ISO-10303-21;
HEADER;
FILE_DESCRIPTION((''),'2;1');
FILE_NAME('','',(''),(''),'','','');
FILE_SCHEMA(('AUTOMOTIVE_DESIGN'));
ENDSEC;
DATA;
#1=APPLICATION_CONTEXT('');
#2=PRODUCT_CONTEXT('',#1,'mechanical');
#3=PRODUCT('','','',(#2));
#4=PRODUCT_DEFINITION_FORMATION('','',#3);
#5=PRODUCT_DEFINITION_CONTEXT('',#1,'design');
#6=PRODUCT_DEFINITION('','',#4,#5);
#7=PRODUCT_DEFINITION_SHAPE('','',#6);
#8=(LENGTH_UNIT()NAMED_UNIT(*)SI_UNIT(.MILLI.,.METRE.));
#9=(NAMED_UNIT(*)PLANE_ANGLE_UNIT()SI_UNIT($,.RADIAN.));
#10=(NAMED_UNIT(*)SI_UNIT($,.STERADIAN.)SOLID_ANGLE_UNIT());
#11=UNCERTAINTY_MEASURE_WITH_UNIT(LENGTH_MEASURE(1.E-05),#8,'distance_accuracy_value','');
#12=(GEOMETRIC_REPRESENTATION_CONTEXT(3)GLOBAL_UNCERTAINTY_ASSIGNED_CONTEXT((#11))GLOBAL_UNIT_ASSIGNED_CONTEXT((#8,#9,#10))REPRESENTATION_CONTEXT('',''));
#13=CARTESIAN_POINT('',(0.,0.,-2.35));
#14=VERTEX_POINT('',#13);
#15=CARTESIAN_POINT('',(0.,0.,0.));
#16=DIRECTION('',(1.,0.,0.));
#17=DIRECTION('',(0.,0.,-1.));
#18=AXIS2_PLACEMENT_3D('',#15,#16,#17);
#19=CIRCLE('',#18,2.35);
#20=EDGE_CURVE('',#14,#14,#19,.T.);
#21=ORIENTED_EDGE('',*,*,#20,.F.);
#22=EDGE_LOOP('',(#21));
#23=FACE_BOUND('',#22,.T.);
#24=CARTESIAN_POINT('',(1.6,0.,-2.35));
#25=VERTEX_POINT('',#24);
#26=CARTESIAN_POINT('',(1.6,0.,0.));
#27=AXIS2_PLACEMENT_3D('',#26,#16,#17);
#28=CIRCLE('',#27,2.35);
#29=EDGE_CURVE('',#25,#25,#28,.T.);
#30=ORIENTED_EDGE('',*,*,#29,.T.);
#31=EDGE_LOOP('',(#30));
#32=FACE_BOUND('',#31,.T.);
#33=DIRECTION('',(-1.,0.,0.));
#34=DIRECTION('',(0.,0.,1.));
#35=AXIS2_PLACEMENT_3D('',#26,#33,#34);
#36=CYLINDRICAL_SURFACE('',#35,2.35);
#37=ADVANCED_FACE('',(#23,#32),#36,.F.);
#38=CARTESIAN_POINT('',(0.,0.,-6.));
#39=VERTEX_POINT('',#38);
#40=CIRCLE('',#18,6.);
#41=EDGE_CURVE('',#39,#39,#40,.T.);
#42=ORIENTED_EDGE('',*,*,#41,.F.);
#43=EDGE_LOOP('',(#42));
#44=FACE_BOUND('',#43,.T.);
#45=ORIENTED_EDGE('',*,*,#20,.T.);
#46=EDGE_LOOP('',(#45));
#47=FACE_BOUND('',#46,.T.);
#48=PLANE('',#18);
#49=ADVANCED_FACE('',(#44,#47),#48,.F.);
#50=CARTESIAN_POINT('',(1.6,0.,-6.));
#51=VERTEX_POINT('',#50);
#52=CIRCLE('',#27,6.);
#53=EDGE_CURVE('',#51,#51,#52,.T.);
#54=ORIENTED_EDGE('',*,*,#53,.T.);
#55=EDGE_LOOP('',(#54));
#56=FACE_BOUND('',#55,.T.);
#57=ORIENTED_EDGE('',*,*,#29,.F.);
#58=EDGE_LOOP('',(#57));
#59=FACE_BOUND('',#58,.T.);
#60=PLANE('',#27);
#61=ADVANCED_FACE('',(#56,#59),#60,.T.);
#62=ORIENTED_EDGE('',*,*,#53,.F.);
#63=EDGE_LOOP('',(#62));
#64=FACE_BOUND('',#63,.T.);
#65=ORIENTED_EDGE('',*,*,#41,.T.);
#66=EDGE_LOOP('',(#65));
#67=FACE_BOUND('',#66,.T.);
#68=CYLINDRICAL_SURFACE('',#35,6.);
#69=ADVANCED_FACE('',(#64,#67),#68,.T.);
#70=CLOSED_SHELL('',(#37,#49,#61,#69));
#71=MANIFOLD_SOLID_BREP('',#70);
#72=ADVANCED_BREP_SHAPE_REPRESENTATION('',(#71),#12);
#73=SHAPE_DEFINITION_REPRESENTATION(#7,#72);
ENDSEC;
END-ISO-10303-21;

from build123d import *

# Parameters (mm, degrees)
SKETCH1_R          = 6
SKETCH1_R_2        = 2.35
BASE_EXTRUDE_DEPTH = 1.6


with BuildPart() as part:
    # Sketch1 → Base-Extrude (new body)
    with BuildSketch(Plane(origin=(0, 0, 0), x_dir=(0, 0, -1), z_dir=(1, 0, 0))):
        Circle(SKETCH1_R)
        Circle(SKETCH1_R_2, mode=Mode.SUBTRACT)
    extrude(amount=BASE_EXTRUDE_DEPTH)


solid = part.part
